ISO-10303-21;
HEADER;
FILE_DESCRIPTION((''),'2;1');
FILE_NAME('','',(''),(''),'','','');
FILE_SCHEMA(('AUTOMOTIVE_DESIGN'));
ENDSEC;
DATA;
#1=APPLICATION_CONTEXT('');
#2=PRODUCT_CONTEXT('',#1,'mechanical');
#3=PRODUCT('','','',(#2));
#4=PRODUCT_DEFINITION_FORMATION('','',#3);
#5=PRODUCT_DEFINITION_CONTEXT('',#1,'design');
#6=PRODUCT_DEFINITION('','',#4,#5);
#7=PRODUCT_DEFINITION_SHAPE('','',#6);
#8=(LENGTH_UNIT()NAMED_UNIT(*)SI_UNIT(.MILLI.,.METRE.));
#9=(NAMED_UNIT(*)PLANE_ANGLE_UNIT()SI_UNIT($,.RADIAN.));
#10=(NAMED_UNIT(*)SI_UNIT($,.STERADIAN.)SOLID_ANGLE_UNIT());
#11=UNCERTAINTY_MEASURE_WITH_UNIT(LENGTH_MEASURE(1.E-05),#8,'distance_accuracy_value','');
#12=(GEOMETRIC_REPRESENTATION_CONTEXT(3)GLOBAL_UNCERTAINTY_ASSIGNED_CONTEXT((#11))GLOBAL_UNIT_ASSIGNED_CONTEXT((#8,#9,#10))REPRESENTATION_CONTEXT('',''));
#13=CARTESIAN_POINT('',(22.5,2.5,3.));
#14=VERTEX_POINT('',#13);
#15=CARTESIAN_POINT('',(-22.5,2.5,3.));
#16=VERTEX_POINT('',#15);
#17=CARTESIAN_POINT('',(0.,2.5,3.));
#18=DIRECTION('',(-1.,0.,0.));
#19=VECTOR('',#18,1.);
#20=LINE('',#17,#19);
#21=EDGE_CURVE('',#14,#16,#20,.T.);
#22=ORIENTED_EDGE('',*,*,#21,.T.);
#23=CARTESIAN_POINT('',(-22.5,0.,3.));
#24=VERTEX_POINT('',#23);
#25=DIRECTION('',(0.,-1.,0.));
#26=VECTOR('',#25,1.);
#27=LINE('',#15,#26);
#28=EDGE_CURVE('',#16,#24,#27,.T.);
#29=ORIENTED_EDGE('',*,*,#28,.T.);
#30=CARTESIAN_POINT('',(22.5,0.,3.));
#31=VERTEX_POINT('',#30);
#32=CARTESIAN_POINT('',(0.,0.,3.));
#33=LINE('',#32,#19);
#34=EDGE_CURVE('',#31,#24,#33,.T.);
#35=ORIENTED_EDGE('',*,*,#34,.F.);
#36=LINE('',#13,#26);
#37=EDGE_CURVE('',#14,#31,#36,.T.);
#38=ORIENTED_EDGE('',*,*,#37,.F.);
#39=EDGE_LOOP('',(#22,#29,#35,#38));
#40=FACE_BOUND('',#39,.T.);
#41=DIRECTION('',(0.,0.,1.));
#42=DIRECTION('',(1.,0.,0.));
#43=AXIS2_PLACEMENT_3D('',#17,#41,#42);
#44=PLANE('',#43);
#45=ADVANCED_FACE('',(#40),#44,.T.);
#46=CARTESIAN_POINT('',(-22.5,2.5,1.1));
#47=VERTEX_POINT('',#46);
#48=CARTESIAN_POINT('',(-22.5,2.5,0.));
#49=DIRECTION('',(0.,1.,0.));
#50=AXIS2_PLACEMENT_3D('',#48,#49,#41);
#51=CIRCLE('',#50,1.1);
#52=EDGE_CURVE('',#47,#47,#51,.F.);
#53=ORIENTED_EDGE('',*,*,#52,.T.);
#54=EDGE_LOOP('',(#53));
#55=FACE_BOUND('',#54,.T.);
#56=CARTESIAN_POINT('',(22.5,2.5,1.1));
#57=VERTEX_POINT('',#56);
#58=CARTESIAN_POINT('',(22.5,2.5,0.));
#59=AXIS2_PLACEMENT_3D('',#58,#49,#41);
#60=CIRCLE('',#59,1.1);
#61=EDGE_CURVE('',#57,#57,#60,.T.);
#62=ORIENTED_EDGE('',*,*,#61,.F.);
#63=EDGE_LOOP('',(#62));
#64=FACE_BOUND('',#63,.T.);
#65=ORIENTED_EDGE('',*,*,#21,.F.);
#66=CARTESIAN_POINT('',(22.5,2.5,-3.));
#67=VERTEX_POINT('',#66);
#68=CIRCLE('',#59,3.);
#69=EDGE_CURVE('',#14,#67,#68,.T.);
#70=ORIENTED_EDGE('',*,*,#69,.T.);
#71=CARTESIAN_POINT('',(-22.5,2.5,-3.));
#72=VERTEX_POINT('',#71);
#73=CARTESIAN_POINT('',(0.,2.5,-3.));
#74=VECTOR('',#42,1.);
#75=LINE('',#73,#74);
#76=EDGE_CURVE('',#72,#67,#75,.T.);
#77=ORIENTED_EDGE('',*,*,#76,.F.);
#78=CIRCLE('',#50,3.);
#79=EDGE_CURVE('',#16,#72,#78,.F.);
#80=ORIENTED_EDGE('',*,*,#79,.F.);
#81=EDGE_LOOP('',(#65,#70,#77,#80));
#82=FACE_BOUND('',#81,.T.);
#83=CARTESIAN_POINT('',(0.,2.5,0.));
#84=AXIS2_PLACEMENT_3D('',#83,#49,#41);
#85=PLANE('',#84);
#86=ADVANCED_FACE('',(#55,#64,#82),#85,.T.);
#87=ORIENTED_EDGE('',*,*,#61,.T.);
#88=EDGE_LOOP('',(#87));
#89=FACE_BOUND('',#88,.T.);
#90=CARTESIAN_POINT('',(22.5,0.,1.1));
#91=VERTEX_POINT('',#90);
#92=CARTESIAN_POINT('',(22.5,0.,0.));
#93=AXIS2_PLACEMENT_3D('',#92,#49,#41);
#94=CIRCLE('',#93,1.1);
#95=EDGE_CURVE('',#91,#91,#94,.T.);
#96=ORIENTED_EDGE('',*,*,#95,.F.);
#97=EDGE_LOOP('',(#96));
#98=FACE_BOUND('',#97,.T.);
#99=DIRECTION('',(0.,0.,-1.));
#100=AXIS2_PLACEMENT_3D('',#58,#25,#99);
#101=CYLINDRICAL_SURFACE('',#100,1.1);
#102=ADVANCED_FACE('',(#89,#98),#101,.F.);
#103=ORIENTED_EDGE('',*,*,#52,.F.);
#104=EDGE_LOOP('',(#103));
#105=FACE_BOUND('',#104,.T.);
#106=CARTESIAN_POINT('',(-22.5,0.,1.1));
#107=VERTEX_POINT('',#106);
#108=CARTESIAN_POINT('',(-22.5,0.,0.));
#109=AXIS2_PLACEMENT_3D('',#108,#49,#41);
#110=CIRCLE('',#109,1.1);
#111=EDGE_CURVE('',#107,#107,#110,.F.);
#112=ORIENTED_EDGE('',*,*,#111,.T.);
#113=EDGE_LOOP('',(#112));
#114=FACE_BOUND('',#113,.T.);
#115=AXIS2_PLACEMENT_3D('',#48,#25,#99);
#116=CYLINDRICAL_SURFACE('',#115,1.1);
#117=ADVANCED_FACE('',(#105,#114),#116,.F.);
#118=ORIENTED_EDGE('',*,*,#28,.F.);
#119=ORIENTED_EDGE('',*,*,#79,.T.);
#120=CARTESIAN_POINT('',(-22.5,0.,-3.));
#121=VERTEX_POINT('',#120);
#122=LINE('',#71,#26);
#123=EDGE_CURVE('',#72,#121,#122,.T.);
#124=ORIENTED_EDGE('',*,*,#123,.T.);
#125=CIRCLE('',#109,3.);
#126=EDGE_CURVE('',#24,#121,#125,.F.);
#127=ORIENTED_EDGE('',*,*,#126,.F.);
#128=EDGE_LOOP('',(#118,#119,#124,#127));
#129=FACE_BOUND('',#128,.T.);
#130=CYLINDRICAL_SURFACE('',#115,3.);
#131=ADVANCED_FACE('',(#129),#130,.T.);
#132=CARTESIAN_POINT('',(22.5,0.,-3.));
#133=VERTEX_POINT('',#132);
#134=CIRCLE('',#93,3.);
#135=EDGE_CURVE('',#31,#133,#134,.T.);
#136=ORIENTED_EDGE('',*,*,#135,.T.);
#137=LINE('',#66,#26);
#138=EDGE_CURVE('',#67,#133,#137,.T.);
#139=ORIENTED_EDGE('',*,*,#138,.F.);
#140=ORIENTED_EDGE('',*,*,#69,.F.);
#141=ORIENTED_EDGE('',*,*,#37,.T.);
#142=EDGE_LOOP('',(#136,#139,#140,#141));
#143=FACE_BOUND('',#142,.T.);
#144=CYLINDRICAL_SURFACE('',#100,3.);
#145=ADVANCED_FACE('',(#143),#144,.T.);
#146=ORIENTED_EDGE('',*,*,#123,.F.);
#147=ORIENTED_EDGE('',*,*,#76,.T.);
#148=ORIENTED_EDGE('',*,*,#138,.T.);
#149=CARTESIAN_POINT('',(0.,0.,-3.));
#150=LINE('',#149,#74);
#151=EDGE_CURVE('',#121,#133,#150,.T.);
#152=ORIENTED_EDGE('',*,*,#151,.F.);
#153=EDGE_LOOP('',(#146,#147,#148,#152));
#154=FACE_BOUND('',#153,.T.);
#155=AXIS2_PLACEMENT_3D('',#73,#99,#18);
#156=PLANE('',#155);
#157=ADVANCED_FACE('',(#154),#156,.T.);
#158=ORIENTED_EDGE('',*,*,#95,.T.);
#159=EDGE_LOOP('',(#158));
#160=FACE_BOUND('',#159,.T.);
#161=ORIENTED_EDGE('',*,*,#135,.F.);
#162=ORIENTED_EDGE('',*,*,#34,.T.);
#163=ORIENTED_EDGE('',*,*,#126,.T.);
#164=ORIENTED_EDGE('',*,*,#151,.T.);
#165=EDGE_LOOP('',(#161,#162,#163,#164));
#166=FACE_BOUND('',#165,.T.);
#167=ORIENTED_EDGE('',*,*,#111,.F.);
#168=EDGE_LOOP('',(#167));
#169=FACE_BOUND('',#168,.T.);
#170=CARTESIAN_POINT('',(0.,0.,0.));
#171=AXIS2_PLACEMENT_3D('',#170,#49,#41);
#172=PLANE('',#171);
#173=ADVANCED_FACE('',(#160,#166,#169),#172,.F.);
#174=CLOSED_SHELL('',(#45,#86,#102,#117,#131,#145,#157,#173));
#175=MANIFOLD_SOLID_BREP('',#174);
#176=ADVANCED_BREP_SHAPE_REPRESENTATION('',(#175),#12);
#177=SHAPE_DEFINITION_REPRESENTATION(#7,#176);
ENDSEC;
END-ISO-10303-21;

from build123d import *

# Parameters (mm, degrees)
SKETCH3_R           = 1.1
BOSS_EXTRUDE1_DEPTH = 2.5


with BuildPart() as part:
    # Sketch3 → Boss-Extrude1 (new body)
    with BuildSketch(Plane(origin=(0, 0, 0), x_dir=(-1, 0, 0), z_dir=(0, 1, 0))):
        with BuildLine():
            ThreePointArc((-22.5, 3), (-25.5, 0), (-22.5, -3))
            Line((-22.5, -3), (22.5, -3))
            ThreePointArc((22.5, -3), (25.5, 0), (22.5, 3))
            Line((22.5, 3), (-22.5, 3))
        make_face()
        with Locations(Location((-22.5, 0, 0), (0, 0, 90))):
            Circle(SKETCH3_R, mode=Mode.SUBTRACT)
        with Locations(Location((22.5, 0, 0), (0, 0, 90))):
            Circle(SKETCH3_R, mode=Mode.SUBTRACT)
    extrude(amount=BOSS_EXTRUDE1_DEPTH)


solid = part.part
